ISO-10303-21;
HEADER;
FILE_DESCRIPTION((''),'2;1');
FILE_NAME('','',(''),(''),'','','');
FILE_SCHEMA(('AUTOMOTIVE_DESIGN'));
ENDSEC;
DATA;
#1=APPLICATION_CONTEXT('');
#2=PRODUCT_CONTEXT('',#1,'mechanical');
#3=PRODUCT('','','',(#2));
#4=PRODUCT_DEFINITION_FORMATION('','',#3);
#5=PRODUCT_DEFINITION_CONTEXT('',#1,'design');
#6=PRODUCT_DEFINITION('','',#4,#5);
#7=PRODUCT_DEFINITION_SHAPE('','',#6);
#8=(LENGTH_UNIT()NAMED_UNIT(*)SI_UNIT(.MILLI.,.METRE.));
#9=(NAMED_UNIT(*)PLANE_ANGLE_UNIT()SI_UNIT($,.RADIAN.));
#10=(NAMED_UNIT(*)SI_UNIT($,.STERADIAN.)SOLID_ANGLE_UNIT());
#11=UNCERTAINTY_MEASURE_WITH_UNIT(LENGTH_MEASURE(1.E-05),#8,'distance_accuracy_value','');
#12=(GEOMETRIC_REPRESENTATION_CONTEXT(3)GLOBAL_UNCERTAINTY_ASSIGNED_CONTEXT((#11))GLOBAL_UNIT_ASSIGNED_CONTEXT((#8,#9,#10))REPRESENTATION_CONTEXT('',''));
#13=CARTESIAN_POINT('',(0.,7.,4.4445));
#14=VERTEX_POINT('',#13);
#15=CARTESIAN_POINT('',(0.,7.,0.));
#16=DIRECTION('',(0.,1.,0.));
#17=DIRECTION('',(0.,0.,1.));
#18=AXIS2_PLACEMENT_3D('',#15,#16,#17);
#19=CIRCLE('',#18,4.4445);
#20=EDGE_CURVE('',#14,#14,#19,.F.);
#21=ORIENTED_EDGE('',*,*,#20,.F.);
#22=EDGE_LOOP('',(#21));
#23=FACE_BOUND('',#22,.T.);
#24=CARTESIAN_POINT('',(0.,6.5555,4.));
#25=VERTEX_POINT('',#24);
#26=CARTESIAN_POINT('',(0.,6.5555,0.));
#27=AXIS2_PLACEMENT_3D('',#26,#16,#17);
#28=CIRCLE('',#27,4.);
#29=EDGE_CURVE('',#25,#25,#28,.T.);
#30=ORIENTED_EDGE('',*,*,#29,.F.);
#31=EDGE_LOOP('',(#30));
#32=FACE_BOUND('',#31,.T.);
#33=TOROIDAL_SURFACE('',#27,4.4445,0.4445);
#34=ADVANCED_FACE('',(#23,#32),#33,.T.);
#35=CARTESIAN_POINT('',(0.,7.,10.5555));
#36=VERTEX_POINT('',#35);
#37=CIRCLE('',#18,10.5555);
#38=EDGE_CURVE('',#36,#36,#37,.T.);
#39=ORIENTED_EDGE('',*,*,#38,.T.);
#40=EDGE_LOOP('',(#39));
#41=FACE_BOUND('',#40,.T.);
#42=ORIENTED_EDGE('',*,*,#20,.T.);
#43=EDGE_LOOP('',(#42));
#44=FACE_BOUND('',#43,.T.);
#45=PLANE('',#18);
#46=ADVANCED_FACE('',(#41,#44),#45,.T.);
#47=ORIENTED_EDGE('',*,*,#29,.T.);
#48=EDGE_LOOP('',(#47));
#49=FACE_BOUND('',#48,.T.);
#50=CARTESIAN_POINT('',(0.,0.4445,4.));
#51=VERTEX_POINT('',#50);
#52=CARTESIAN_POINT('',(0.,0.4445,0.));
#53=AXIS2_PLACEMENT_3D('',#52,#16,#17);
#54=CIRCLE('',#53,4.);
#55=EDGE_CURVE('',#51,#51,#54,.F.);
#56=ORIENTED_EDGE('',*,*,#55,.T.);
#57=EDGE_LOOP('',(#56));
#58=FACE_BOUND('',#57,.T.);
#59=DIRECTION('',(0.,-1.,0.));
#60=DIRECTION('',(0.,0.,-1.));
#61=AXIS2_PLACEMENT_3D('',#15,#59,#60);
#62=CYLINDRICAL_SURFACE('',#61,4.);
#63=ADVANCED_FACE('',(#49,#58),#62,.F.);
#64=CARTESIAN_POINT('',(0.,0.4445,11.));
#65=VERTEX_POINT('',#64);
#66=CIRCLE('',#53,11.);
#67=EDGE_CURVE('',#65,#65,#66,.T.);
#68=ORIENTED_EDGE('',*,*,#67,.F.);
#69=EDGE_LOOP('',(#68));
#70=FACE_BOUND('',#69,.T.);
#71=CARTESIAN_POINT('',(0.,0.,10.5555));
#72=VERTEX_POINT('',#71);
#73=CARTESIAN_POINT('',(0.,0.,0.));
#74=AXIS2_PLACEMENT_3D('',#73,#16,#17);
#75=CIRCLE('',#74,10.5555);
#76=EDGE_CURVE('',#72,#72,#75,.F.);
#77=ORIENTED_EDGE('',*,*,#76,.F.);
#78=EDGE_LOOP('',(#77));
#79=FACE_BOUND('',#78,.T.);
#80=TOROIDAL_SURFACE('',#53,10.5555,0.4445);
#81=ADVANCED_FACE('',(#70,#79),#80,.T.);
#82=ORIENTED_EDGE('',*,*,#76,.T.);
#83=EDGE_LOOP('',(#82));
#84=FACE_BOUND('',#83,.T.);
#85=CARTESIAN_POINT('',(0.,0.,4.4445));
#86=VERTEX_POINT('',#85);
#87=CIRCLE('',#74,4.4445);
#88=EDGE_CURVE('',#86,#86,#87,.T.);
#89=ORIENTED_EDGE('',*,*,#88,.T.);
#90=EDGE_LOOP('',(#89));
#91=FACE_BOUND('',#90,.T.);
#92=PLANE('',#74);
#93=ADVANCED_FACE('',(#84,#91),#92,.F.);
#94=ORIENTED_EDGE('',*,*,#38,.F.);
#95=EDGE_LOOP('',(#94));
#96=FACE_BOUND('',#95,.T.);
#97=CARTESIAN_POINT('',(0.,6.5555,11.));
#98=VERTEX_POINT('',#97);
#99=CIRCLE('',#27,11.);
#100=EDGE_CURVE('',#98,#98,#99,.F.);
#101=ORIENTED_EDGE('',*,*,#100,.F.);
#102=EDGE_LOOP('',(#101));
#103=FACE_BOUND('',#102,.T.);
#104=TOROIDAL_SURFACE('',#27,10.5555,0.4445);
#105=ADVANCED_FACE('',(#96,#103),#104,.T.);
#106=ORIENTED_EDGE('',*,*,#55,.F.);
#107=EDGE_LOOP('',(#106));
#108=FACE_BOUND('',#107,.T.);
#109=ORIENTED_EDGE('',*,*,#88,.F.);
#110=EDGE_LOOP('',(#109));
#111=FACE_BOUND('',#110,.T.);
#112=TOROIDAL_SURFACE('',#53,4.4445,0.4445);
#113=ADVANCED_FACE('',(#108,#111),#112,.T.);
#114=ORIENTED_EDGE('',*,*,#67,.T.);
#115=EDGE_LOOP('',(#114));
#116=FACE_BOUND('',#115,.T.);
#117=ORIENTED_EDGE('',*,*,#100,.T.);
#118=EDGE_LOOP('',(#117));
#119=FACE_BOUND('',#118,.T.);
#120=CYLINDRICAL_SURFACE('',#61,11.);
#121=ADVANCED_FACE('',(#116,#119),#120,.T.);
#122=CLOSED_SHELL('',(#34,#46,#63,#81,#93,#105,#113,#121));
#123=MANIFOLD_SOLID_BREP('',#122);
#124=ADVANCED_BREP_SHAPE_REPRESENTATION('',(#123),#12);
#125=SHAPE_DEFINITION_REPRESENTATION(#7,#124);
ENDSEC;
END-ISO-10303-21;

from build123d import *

# Parameters (mm, degrees)
SKETCH1_R           = 11
SKETCH1_R_2         = 4
BOSS_EXTRUDE1_DEPTH = 7
FILLET1_R           = 0.4445


with BuildPart() as part:
    # Sketch1 → Boss-Extrude1 (new body)
    with BuildSketch(Plane(origin=(0, 0, 0), x_dir=(1, 0, 0), z_dir=(0, 1, 0))):
        Circle(SKETCH1_R)
        Circle(SKETCH1_R_2, mode=Mode.SUBTRACT)
    extrude(amount=BOSS_EXTRUDE1_DEPTH)

    # Fillet1
    fillet1_edges = [part.edges().sort_by_distance(p)[0] for p in [
        (-11, 0, 0),
        (-11, 7, 0),
        (-4, 0, 0),
        (-4, 7, 0),
    ]]
    fillet(fillet1_edges, radius=FILLET1_R)


solid = part.part
